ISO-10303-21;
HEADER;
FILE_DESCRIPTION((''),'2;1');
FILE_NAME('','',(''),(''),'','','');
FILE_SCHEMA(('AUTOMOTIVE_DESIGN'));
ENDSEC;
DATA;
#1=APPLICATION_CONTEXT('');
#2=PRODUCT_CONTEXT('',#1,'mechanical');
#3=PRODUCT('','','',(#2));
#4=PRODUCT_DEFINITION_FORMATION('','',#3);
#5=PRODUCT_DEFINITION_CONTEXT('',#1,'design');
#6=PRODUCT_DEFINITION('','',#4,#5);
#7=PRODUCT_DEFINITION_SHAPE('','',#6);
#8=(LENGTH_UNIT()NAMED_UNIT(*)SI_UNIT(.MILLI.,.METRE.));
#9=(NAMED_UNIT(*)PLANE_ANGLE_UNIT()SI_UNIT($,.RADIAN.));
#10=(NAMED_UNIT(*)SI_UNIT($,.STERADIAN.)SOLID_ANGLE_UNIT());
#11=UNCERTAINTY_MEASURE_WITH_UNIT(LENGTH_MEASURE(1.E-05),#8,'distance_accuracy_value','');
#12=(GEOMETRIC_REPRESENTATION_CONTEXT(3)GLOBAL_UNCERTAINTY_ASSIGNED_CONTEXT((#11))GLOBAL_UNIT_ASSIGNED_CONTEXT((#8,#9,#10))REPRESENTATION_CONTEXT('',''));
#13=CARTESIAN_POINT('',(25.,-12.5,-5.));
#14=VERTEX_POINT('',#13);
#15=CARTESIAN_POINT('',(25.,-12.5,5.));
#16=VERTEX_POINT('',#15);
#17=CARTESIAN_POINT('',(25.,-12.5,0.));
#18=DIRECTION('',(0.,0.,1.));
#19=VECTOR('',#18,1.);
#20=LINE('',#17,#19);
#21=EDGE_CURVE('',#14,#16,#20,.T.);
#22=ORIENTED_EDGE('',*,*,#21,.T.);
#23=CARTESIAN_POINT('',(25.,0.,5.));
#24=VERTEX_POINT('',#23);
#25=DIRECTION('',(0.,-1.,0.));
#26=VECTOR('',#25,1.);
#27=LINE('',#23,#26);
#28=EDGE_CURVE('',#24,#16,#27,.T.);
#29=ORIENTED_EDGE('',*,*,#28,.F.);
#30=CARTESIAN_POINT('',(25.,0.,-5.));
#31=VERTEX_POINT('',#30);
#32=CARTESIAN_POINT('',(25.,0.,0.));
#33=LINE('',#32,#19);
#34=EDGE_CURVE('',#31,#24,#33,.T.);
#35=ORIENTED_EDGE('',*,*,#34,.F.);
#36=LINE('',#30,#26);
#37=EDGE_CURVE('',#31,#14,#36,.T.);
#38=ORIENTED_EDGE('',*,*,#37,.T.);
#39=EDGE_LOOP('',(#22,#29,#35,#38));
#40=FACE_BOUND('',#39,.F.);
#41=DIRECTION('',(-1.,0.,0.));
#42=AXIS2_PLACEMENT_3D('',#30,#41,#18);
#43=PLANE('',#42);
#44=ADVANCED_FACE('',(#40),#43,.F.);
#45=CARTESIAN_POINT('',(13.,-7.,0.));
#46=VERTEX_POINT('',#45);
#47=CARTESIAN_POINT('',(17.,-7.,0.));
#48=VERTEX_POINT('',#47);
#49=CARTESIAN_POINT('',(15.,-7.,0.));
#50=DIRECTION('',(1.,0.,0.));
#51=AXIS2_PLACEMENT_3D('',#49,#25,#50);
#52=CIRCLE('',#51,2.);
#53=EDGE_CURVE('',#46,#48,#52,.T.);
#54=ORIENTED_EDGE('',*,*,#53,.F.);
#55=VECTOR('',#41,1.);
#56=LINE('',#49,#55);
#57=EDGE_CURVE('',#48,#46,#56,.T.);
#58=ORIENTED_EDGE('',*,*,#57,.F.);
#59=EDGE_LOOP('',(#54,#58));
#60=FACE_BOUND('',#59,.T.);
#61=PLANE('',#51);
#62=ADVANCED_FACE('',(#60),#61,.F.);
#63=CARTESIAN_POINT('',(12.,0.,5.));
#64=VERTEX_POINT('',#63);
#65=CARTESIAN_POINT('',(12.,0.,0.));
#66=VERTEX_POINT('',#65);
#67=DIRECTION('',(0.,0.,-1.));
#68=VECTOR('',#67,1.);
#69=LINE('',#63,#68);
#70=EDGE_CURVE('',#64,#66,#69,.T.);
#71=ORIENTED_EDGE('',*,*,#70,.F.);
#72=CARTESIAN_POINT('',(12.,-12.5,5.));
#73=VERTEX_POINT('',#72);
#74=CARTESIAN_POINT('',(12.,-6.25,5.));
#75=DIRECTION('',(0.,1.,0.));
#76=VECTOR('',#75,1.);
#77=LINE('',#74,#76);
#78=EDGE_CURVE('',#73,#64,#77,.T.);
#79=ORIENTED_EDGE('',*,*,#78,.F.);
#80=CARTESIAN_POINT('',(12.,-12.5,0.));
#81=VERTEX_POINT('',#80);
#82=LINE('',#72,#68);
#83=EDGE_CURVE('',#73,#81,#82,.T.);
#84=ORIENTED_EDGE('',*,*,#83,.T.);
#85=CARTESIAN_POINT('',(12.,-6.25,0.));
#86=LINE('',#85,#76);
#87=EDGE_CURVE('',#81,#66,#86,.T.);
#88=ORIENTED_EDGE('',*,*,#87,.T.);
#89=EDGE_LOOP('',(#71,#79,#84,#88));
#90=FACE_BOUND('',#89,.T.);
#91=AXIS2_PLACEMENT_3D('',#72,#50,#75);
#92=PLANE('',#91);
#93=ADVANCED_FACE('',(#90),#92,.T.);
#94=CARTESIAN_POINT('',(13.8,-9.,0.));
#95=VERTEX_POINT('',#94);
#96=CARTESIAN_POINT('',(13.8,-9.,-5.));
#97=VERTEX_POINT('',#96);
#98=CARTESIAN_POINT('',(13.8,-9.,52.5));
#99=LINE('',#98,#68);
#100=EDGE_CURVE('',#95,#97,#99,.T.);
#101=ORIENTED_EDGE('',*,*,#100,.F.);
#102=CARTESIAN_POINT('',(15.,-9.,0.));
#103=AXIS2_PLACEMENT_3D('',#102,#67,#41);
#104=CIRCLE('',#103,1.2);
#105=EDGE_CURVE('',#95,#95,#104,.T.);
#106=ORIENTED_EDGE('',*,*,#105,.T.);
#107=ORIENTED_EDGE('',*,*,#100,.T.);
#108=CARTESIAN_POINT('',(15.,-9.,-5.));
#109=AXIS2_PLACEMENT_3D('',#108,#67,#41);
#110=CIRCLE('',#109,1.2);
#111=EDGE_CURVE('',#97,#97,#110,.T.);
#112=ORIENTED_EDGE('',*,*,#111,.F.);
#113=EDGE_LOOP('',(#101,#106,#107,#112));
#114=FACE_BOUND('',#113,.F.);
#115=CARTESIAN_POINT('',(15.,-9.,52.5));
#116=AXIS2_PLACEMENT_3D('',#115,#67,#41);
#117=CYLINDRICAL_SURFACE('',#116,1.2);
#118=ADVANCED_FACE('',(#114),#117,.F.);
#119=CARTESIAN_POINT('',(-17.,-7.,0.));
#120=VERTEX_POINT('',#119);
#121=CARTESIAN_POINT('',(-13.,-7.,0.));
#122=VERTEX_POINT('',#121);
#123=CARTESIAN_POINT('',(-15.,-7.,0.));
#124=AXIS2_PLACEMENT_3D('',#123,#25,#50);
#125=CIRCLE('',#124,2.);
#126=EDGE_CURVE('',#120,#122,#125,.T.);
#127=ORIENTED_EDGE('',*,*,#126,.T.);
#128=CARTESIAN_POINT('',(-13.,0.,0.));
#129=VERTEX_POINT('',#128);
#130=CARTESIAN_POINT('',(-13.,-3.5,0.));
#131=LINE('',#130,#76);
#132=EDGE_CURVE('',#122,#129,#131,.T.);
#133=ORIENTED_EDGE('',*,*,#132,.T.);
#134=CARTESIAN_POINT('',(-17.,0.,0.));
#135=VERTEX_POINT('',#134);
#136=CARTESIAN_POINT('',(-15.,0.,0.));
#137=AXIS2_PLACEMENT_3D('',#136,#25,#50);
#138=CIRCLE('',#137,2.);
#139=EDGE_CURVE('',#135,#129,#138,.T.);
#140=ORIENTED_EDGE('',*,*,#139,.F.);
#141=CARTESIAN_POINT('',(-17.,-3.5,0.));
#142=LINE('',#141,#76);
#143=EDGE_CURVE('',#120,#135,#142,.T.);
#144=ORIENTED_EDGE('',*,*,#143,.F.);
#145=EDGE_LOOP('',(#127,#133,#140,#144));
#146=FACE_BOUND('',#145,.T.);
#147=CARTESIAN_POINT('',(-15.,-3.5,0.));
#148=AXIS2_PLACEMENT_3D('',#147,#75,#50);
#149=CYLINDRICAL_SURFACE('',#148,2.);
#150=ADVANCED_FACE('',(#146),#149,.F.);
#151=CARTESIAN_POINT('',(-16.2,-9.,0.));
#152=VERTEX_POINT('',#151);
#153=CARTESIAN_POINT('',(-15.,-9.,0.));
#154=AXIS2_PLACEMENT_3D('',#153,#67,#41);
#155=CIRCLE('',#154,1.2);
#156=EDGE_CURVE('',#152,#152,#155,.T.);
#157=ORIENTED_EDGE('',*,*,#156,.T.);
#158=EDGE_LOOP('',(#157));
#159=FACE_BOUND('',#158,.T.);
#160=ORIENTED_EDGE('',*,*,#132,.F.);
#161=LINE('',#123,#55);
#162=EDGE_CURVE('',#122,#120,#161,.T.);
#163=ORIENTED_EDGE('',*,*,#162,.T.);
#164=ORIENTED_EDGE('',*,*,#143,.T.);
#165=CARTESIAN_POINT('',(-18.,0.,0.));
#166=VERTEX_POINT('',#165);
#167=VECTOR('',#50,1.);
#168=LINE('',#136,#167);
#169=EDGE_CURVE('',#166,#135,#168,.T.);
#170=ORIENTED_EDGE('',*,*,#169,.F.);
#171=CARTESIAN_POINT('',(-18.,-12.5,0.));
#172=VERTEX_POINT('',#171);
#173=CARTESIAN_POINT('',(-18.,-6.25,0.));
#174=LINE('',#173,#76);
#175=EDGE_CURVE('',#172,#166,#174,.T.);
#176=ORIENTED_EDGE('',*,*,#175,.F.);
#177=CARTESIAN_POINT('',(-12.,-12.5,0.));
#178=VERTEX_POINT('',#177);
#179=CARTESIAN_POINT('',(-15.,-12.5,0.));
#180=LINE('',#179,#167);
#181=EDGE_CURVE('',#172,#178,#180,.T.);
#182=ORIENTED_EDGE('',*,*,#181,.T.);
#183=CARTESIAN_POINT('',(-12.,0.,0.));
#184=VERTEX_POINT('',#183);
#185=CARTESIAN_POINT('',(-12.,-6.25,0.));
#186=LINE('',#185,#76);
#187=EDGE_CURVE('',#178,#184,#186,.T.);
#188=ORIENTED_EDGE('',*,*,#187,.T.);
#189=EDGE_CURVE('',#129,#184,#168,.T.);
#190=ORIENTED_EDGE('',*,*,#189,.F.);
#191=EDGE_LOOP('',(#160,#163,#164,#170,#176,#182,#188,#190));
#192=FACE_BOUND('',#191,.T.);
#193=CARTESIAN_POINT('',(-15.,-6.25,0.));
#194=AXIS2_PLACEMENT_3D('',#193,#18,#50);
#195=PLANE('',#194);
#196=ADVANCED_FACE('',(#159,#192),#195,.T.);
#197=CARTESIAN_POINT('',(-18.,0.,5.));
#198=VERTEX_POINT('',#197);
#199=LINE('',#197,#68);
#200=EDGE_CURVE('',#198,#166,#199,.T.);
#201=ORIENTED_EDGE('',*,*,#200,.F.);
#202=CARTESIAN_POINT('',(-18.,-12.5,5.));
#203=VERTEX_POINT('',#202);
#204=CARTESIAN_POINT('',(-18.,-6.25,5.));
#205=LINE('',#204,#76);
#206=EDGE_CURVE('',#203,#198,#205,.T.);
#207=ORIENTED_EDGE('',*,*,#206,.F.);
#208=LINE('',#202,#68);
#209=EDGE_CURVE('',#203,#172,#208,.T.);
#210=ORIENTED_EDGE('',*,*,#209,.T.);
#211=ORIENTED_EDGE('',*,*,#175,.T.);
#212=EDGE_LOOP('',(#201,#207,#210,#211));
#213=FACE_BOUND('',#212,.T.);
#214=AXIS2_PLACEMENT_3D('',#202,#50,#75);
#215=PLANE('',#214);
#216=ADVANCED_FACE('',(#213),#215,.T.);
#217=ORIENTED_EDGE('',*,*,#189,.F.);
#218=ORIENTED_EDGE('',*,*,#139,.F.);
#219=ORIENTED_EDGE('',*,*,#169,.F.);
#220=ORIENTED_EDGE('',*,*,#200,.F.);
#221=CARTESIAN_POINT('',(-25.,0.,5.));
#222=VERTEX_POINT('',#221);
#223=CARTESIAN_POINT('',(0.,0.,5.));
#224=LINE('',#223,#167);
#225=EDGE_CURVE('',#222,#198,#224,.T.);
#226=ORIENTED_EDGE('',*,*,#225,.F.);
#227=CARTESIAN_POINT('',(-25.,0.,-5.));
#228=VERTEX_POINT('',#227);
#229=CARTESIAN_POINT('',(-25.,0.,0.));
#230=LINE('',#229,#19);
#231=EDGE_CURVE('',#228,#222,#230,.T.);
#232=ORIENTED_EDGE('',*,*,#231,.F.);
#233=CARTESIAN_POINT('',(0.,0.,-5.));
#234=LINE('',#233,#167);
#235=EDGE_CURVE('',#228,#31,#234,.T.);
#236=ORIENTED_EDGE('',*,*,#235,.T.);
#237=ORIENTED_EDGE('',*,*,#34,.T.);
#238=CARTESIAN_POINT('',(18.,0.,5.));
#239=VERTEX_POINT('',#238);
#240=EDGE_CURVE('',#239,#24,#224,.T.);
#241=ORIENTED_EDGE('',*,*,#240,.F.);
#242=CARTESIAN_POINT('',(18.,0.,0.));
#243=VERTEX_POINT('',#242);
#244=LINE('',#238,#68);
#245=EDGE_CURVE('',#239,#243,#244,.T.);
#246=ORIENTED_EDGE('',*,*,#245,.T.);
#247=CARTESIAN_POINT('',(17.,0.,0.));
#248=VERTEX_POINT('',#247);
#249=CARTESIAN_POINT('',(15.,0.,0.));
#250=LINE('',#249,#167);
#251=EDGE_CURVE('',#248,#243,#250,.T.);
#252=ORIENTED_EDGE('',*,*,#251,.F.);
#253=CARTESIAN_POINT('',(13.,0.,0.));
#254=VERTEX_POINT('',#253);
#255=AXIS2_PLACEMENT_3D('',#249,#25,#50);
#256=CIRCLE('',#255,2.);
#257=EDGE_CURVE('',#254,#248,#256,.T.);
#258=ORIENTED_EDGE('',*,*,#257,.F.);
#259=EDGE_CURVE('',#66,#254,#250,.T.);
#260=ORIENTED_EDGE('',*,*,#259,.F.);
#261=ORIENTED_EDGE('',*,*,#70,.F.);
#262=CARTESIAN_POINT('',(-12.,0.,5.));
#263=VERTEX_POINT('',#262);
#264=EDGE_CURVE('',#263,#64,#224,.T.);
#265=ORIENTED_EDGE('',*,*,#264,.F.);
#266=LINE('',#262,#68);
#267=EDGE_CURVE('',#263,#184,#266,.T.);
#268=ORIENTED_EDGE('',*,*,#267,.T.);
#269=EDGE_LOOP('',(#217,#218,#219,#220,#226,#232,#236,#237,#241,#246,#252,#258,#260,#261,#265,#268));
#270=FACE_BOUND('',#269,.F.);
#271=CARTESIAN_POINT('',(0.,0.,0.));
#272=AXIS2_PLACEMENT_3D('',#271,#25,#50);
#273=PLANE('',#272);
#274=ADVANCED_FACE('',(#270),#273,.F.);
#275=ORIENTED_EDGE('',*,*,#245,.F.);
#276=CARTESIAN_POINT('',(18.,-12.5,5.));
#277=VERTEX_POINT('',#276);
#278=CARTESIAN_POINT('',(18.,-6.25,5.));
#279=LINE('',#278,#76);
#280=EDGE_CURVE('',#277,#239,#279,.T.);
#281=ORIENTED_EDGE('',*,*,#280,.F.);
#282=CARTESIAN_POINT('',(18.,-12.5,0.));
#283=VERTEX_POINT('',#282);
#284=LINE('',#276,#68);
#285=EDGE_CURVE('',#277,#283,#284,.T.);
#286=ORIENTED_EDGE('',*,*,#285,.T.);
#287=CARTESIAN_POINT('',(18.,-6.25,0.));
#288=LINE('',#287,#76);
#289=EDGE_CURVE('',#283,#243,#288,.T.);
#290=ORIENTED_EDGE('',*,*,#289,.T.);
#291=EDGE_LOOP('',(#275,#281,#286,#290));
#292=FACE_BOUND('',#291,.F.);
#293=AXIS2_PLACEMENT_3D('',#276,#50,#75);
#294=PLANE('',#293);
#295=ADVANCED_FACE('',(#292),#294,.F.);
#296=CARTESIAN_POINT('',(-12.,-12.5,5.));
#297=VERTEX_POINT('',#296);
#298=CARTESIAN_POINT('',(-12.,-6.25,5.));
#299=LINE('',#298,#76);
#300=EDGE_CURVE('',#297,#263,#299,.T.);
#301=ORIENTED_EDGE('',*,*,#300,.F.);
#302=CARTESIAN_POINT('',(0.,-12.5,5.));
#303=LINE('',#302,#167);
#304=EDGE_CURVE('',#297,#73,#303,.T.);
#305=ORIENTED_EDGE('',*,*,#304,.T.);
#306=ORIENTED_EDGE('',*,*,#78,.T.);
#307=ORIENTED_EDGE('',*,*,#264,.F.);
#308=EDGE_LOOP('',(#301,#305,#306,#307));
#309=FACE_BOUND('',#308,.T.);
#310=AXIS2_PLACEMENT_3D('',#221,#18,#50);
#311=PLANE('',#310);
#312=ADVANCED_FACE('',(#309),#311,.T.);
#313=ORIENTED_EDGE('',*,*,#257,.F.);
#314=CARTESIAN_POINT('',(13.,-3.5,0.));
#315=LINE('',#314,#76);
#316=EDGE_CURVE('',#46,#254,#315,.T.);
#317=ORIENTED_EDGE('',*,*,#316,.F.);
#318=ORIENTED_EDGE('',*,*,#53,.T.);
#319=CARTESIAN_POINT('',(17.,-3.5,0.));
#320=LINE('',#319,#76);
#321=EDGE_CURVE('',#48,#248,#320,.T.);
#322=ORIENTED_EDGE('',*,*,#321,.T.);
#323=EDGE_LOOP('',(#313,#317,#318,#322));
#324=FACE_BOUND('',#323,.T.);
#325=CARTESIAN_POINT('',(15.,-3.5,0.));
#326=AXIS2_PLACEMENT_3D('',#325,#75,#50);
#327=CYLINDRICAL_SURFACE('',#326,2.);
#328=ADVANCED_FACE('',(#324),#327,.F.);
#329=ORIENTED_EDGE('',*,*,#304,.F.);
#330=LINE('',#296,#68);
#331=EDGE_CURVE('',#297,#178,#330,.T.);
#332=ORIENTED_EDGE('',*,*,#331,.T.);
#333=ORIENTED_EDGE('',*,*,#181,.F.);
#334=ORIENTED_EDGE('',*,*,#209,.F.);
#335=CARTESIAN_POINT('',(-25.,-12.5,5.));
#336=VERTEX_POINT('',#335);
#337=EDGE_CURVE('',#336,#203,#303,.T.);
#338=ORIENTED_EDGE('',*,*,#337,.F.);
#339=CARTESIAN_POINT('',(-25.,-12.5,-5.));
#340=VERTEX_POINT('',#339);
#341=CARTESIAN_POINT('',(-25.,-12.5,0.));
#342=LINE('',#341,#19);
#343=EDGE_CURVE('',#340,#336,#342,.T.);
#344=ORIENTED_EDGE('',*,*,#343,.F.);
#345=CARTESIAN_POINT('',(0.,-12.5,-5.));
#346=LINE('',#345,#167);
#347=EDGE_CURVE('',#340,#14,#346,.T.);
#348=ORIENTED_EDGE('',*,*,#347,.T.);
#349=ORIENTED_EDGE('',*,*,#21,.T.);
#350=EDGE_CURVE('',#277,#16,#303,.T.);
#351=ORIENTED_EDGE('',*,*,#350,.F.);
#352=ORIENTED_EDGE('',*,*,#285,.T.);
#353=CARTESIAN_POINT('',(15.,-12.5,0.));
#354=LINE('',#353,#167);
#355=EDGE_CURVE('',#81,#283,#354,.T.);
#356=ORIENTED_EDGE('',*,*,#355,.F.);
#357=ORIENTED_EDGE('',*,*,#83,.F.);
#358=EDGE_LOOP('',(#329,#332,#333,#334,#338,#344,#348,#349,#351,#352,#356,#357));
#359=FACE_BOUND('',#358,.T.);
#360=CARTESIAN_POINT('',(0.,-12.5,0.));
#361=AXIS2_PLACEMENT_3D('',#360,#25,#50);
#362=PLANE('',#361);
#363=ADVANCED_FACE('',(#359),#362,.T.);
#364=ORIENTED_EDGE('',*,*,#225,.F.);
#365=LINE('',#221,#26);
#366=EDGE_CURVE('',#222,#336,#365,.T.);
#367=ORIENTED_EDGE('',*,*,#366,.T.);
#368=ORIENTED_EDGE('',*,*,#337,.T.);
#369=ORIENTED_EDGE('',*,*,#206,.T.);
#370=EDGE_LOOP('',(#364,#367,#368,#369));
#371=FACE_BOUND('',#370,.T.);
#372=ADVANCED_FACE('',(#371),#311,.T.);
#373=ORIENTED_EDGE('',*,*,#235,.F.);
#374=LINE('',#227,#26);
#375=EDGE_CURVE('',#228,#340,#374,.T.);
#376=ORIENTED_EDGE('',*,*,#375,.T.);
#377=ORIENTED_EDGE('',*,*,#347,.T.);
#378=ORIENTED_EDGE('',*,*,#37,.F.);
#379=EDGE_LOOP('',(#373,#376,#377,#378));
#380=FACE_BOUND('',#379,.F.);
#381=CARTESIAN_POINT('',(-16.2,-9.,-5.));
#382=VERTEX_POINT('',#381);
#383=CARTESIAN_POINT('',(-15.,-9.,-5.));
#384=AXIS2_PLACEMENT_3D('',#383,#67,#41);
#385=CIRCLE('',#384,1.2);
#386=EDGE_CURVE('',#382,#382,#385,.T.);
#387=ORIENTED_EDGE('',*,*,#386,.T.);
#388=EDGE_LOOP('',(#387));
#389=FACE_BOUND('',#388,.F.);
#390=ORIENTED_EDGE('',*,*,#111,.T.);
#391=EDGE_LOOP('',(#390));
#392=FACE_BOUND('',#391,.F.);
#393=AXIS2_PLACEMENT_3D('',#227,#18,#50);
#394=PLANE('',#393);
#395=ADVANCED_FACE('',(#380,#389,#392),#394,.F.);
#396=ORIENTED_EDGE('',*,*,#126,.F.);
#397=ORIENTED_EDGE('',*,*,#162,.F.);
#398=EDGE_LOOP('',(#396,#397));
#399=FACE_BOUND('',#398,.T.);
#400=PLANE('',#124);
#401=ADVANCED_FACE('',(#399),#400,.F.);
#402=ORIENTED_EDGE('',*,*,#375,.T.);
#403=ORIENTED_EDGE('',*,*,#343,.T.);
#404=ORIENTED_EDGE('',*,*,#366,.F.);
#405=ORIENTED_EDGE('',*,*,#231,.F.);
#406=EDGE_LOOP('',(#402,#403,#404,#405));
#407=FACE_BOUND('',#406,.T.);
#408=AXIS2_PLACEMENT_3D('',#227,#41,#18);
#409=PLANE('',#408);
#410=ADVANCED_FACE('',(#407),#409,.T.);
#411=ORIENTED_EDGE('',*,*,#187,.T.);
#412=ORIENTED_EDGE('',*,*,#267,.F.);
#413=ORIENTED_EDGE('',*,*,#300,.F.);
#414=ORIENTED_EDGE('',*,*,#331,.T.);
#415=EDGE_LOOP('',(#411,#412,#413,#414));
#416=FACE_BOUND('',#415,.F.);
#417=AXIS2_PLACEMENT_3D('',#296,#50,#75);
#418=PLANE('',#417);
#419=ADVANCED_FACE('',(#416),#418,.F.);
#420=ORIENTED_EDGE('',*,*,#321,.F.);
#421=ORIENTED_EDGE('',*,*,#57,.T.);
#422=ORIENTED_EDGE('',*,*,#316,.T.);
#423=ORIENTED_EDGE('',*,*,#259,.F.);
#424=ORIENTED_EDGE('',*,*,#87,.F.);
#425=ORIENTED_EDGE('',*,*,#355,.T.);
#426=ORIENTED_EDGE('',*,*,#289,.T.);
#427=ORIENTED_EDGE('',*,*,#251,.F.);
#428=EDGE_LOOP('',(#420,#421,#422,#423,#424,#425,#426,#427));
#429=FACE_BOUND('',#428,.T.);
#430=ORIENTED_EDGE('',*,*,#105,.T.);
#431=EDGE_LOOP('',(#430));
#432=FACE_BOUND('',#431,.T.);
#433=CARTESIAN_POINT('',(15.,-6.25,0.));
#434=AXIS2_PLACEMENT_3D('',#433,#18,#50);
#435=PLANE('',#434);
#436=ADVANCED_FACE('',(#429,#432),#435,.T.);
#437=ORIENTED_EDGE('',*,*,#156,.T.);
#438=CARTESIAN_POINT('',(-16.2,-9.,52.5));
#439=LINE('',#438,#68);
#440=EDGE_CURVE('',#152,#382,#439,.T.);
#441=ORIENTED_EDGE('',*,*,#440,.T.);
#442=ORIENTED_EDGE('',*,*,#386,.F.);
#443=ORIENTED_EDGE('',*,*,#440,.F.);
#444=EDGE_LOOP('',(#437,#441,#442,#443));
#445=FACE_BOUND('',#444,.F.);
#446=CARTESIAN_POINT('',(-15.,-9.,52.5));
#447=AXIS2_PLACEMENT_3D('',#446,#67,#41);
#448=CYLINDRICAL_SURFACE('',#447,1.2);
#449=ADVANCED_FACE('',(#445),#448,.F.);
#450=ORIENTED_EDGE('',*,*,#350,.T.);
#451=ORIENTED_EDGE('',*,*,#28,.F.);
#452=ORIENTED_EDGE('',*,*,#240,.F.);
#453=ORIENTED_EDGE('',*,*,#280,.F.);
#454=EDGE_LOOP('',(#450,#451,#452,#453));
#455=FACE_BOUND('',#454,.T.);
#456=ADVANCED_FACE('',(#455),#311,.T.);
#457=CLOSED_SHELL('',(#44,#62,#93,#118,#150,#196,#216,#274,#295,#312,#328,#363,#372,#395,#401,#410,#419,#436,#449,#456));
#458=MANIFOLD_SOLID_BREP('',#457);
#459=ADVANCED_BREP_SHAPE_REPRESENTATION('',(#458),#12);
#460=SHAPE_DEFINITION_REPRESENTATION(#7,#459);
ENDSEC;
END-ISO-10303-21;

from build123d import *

# Parameters (mm, degrees)
F0_W       = 50
F0_H       = 10
F1_DEPTH   = 12.5
F2_W       = 6
F2_H       = 12.5
F3_DEPTH   = 5
F4_W       = 2
F4_H       = 7
F5_W       = 2
F5_H       = 7
F8_D       = 2.4
F8_ON_F5_D = 2.4


with BuildPart() as f1:
    # F0 (on Front) → F1 (new body)
    with BuildSketch(Plane.XZ):
        Rectangle(F0_W, F0_H)
    extrude(amount=F1_DEPTH)

    # F2 (on face) → F3 (cut)
    with BuildSketch(Plane.XY.offset(5)):
        with Locations((-15, -6.25)):
            Rectangle(F2_W, F2_H)
        with Locations((15, -6.25)):
            Rectangle(F2_W, F2_H)
    extrude(amount=-F3_DEPTH, mode=Mode.SUBTRACT)

    # F4 (on face) → F6 (revolve, cut)
    with BuildSketch(Plane.XY):
        with Locations((-14, -3.5)):
            Rectangle(F4_W, F4_H)
    revolve(axis=Axis((-15, -7.6616932638, 0), (0, -1, 0)), mode=Mode.SUBTRACT)

    # F5 (on face) → F7 (revolve, cut)
    with BuildSketch(Plane.XY):
        with Locations((16, -3.5)):
            Rectangle(F5_W, F5_H)
    revolve(axis=Axis((15, -9.4139035791, 0), (0, -1, 0)), mode=Mode.SUBTRACT)

    # F8 (through all)
    with Locations(Plane.XY):
        with Locations((-15, -9)):
            Hole(F8_D / 2)

    # F8 on F5 (through all)
    with Locations(Plane.XY):
        with Locations((15, -9)):
            Hole(F8_ON_F5_D / 2)


solid = f1.part
